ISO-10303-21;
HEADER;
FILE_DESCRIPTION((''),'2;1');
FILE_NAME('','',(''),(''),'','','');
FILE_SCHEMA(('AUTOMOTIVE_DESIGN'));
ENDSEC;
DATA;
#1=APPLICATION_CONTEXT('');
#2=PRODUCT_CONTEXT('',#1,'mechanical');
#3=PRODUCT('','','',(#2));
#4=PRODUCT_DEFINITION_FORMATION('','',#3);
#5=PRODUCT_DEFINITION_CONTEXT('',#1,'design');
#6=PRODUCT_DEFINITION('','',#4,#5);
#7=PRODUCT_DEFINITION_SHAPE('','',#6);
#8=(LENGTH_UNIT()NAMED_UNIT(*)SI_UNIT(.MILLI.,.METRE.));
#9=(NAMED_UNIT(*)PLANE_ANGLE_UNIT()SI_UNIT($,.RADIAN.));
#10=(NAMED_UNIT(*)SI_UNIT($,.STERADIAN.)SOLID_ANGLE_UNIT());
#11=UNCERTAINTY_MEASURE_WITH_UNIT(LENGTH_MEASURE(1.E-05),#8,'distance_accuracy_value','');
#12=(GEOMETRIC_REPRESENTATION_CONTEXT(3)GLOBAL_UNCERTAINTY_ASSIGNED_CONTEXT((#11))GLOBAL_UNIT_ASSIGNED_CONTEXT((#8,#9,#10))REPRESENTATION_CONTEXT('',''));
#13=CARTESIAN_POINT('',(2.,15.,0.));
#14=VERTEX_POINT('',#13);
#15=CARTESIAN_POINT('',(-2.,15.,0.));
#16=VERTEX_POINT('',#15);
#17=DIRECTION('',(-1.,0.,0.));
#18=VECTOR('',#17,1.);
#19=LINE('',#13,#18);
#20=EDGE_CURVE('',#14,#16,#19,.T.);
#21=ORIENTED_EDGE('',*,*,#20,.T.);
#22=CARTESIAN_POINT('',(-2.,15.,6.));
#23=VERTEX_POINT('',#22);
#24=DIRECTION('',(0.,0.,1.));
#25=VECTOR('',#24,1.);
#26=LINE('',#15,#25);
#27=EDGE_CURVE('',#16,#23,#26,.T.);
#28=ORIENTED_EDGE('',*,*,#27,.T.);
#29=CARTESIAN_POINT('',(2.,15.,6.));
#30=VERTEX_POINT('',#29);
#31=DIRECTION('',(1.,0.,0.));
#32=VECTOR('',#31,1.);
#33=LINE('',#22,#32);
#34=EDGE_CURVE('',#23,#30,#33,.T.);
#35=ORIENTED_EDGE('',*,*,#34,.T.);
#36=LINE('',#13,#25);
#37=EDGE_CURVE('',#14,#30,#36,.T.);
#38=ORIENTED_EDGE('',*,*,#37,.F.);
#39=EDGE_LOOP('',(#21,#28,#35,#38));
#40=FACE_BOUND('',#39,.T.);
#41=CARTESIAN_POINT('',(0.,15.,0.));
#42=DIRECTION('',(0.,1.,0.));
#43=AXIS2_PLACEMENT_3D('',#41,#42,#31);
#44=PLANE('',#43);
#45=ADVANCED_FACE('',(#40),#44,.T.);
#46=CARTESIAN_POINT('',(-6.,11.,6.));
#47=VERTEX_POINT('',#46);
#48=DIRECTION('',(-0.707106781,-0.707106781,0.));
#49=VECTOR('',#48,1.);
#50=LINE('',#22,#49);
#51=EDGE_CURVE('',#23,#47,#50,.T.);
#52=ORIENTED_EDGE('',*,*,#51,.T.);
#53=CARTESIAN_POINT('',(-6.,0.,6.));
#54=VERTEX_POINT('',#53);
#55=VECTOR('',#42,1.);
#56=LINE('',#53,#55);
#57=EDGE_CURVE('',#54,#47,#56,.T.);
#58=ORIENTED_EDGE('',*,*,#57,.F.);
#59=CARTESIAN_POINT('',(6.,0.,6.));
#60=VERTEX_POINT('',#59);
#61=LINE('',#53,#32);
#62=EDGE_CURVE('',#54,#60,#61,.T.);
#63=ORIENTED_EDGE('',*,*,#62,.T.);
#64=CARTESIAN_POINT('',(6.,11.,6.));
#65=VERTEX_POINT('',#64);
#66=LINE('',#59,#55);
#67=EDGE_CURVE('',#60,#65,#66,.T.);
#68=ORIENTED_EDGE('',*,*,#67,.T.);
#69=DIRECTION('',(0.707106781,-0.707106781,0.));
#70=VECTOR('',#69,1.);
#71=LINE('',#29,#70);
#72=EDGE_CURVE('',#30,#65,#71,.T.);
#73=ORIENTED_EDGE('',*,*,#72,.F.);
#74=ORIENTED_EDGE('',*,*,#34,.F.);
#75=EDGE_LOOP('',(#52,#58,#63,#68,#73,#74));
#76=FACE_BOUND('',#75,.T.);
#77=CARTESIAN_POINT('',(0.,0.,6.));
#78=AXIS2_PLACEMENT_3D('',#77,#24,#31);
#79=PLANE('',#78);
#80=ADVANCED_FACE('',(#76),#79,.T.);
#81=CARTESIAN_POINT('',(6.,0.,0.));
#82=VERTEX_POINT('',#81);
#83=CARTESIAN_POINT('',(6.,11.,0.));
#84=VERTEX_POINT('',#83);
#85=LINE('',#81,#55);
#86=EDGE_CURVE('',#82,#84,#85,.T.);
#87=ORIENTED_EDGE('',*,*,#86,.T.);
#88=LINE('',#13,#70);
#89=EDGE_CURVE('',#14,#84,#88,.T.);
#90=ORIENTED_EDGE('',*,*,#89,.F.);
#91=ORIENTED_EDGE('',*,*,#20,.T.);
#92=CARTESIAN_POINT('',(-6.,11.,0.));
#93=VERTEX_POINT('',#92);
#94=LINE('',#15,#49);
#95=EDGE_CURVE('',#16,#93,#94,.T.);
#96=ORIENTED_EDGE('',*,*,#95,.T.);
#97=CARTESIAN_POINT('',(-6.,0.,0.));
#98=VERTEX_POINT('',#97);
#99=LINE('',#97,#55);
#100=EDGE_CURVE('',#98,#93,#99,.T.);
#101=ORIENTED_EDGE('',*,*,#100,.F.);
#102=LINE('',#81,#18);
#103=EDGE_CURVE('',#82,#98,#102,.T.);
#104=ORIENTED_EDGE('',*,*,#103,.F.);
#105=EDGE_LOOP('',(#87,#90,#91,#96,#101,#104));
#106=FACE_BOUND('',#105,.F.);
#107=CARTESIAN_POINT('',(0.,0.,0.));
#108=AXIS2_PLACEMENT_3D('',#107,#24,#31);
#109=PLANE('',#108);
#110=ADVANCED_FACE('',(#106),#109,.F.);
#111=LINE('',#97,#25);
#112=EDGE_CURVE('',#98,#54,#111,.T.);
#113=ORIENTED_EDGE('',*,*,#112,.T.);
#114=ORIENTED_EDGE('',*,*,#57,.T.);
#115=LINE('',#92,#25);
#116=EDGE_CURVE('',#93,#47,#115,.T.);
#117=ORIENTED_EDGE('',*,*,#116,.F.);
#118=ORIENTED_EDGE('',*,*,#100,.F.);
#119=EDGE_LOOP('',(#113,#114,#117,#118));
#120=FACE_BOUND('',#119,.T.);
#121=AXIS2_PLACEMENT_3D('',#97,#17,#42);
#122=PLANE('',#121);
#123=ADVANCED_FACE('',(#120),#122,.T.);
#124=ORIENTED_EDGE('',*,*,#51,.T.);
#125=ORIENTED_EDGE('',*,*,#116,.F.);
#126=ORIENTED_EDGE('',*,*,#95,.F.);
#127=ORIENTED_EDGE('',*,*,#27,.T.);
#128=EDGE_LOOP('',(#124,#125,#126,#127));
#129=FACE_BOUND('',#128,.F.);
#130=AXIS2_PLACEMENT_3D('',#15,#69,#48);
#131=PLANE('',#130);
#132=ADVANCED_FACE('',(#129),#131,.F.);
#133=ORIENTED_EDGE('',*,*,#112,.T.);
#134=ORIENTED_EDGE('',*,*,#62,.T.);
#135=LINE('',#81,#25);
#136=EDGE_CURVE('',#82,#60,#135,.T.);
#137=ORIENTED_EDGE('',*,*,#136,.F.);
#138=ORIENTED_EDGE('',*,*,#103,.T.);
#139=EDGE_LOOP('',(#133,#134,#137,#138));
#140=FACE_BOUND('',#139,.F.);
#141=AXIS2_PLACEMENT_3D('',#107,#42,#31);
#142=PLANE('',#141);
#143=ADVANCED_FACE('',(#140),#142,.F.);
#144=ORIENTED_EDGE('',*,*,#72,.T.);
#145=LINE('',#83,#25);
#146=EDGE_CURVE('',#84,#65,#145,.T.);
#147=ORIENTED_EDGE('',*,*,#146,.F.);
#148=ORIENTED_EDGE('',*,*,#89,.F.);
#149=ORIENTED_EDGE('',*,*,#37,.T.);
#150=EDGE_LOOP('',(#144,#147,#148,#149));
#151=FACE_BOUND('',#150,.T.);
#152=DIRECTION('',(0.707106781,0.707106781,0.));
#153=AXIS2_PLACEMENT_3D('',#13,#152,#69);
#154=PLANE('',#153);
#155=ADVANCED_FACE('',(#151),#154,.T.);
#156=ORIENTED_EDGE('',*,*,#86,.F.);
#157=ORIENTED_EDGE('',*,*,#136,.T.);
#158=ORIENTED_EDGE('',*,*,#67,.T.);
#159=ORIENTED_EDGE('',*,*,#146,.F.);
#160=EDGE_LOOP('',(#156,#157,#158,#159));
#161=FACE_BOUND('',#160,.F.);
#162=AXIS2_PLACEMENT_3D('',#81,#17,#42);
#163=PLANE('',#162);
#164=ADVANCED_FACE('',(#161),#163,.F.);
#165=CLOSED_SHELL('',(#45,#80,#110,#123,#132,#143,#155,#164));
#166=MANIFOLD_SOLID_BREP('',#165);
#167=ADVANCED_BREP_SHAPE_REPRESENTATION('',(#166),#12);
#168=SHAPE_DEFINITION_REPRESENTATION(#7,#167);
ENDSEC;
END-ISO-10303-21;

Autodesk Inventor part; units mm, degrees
ref_plane "YZ Plane" through (0, 0, 0) normal (1, 0, 0) x (0, 1, 0)
ref_plane "XZ Plane" through (0, 0, 0) normal (0, 1, 0) x (-1, 0, 0)
ref_plane "XY Plane" through (0, 0, 0) normal (0, 0, 1) x (1, 0, 0)
sketch "Sketch1" plane through (0, 0, 0) normal (0, 0, 1) x (1, 0, 0)
  line L0 (0, 0) -> (6, 0)
  line L1 (6, 0) -> (6, 11)
  line L2 (0, 0) -> (-6, 0)
  line L3 (-6, 0) -> (-6, 11)
  line L4 (0, 0) -> (0, 15)
  line L5 (0, 15) -> (2, 15)
  line L6 (2, 15) -> (6, 11)
  line L7 (0, 15) -> (-2, 15)
  line L8 (-2, 15) -> (-6, 11)
  dimension "d0" = 6
  dimension "d1" = 11
  dimension "d2" = 6
  dimension "d3" = 11
  dimension "d4" = 15
  dimension "d5" = 2
  dimension "d6" = 2
extrude "Extrusion1" add sketch "Sketch1" along normal blind 6
properties part number "middle-join"
